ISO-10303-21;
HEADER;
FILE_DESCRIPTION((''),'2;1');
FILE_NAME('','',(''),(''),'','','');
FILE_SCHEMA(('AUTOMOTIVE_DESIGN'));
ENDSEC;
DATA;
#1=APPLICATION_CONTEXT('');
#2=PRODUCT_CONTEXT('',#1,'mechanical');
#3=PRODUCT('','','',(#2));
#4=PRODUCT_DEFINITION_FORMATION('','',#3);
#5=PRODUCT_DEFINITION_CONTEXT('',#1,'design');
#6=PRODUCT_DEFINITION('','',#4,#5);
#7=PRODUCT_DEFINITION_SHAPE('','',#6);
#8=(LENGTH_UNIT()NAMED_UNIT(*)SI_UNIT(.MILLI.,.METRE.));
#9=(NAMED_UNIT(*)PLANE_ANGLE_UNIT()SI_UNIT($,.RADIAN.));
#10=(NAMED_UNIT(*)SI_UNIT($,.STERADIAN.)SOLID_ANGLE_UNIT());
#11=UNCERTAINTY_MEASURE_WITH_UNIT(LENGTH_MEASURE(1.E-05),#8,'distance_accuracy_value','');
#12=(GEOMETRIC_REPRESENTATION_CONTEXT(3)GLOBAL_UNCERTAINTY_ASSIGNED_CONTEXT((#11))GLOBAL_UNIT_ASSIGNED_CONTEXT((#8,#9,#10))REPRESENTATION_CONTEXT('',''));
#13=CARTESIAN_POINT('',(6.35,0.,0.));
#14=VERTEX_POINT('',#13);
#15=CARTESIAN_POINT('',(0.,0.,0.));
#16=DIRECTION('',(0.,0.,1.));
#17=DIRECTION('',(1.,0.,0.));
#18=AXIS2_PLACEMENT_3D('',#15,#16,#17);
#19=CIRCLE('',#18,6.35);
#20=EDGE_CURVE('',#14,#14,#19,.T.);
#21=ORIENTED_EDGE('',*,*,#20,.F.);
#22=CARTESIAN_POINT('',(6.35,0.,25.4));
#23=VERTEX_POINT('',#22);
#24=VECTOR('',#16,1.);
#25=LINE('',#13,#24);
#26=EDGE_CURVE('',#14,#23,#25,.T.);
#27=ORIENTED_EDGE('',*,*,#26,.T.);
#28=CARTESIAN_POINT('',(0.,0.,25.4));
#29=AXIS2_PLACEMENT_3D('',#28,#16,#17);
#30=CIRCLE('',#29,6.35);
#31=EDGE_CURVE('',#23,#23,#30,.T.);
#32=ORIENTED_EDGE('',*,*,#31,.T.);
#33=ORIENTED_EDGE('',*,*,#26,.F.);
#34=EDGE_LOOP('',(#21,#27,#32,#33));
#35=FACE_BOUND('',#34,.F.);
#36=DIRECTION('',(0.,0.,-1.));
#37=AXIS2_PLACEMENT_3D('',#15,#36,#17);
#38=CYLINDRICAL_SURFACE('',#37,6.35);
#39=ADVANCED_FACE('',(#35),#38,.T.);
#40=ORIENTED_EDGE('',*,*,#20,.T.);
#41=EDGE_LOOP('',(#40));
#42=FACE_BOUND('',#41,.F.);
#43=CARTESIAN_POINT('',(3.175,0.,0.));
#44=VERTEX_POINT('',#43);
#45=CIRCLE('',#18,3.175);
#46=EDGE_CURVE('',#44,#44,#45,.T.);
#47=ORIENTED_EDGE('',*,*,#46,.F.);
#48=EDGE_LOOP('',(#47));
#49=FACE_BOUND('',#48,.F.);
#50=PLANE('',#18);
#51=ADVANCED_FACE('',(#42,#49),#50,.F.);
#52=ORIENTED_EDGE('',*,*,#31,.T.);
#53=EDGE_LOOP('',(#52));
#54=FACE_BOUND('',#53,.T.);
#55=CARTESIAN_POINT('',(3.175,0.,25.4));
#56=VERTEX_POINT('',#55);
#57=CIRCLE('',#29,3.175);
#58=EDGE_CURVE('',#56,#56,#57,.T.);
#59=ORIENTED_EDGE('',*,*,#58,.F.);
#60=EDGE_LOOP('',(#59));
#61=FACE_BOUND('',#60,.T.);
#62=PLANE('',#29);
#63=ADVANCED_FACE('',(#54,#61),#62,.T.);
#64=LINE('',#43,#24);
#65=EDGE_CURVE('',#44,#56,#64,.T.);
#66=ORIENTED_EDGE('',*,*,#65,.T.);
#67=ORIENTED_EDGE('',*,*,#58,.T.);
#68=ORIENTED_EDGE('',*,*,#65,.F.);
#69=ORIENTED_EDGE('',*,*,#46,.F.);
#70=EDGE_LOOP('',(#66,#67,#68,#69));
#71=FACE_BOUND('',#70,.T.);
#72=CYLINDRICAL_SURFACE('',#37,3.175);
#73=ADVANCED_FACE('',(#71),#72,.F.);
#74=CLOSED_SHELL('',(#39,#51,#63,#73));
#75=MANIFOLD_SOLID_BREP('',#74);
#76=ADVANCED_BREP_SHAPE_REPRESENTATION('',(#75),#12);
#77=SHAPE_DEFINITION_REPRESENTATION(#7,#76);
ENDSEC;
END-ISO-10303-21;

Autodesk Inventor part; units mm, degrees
ref_plane "YZ Plane" through (0, 0, 0) normal (1, 0, 0) x (0, 1, 0)
ref_plane "XZ Plane" through (0, 0, 0) normal (0, 1, 0) x (-1, 0, 0)
ref_plane "XY Plane" through (0, 0, 0) normal (0, 0, 1) x (1, 0, 0)
sketch "Sketch1" plane through (0, 0, 0) normal (0, 0, 1) x (1, 0, 0)
  circle A0 centre (0, 0) radius 3.175
  circle A1 centre (0, 0) radius 6.35
extrude "Extrusion1" add sketch "Sketch1" along normal blind 25.4
